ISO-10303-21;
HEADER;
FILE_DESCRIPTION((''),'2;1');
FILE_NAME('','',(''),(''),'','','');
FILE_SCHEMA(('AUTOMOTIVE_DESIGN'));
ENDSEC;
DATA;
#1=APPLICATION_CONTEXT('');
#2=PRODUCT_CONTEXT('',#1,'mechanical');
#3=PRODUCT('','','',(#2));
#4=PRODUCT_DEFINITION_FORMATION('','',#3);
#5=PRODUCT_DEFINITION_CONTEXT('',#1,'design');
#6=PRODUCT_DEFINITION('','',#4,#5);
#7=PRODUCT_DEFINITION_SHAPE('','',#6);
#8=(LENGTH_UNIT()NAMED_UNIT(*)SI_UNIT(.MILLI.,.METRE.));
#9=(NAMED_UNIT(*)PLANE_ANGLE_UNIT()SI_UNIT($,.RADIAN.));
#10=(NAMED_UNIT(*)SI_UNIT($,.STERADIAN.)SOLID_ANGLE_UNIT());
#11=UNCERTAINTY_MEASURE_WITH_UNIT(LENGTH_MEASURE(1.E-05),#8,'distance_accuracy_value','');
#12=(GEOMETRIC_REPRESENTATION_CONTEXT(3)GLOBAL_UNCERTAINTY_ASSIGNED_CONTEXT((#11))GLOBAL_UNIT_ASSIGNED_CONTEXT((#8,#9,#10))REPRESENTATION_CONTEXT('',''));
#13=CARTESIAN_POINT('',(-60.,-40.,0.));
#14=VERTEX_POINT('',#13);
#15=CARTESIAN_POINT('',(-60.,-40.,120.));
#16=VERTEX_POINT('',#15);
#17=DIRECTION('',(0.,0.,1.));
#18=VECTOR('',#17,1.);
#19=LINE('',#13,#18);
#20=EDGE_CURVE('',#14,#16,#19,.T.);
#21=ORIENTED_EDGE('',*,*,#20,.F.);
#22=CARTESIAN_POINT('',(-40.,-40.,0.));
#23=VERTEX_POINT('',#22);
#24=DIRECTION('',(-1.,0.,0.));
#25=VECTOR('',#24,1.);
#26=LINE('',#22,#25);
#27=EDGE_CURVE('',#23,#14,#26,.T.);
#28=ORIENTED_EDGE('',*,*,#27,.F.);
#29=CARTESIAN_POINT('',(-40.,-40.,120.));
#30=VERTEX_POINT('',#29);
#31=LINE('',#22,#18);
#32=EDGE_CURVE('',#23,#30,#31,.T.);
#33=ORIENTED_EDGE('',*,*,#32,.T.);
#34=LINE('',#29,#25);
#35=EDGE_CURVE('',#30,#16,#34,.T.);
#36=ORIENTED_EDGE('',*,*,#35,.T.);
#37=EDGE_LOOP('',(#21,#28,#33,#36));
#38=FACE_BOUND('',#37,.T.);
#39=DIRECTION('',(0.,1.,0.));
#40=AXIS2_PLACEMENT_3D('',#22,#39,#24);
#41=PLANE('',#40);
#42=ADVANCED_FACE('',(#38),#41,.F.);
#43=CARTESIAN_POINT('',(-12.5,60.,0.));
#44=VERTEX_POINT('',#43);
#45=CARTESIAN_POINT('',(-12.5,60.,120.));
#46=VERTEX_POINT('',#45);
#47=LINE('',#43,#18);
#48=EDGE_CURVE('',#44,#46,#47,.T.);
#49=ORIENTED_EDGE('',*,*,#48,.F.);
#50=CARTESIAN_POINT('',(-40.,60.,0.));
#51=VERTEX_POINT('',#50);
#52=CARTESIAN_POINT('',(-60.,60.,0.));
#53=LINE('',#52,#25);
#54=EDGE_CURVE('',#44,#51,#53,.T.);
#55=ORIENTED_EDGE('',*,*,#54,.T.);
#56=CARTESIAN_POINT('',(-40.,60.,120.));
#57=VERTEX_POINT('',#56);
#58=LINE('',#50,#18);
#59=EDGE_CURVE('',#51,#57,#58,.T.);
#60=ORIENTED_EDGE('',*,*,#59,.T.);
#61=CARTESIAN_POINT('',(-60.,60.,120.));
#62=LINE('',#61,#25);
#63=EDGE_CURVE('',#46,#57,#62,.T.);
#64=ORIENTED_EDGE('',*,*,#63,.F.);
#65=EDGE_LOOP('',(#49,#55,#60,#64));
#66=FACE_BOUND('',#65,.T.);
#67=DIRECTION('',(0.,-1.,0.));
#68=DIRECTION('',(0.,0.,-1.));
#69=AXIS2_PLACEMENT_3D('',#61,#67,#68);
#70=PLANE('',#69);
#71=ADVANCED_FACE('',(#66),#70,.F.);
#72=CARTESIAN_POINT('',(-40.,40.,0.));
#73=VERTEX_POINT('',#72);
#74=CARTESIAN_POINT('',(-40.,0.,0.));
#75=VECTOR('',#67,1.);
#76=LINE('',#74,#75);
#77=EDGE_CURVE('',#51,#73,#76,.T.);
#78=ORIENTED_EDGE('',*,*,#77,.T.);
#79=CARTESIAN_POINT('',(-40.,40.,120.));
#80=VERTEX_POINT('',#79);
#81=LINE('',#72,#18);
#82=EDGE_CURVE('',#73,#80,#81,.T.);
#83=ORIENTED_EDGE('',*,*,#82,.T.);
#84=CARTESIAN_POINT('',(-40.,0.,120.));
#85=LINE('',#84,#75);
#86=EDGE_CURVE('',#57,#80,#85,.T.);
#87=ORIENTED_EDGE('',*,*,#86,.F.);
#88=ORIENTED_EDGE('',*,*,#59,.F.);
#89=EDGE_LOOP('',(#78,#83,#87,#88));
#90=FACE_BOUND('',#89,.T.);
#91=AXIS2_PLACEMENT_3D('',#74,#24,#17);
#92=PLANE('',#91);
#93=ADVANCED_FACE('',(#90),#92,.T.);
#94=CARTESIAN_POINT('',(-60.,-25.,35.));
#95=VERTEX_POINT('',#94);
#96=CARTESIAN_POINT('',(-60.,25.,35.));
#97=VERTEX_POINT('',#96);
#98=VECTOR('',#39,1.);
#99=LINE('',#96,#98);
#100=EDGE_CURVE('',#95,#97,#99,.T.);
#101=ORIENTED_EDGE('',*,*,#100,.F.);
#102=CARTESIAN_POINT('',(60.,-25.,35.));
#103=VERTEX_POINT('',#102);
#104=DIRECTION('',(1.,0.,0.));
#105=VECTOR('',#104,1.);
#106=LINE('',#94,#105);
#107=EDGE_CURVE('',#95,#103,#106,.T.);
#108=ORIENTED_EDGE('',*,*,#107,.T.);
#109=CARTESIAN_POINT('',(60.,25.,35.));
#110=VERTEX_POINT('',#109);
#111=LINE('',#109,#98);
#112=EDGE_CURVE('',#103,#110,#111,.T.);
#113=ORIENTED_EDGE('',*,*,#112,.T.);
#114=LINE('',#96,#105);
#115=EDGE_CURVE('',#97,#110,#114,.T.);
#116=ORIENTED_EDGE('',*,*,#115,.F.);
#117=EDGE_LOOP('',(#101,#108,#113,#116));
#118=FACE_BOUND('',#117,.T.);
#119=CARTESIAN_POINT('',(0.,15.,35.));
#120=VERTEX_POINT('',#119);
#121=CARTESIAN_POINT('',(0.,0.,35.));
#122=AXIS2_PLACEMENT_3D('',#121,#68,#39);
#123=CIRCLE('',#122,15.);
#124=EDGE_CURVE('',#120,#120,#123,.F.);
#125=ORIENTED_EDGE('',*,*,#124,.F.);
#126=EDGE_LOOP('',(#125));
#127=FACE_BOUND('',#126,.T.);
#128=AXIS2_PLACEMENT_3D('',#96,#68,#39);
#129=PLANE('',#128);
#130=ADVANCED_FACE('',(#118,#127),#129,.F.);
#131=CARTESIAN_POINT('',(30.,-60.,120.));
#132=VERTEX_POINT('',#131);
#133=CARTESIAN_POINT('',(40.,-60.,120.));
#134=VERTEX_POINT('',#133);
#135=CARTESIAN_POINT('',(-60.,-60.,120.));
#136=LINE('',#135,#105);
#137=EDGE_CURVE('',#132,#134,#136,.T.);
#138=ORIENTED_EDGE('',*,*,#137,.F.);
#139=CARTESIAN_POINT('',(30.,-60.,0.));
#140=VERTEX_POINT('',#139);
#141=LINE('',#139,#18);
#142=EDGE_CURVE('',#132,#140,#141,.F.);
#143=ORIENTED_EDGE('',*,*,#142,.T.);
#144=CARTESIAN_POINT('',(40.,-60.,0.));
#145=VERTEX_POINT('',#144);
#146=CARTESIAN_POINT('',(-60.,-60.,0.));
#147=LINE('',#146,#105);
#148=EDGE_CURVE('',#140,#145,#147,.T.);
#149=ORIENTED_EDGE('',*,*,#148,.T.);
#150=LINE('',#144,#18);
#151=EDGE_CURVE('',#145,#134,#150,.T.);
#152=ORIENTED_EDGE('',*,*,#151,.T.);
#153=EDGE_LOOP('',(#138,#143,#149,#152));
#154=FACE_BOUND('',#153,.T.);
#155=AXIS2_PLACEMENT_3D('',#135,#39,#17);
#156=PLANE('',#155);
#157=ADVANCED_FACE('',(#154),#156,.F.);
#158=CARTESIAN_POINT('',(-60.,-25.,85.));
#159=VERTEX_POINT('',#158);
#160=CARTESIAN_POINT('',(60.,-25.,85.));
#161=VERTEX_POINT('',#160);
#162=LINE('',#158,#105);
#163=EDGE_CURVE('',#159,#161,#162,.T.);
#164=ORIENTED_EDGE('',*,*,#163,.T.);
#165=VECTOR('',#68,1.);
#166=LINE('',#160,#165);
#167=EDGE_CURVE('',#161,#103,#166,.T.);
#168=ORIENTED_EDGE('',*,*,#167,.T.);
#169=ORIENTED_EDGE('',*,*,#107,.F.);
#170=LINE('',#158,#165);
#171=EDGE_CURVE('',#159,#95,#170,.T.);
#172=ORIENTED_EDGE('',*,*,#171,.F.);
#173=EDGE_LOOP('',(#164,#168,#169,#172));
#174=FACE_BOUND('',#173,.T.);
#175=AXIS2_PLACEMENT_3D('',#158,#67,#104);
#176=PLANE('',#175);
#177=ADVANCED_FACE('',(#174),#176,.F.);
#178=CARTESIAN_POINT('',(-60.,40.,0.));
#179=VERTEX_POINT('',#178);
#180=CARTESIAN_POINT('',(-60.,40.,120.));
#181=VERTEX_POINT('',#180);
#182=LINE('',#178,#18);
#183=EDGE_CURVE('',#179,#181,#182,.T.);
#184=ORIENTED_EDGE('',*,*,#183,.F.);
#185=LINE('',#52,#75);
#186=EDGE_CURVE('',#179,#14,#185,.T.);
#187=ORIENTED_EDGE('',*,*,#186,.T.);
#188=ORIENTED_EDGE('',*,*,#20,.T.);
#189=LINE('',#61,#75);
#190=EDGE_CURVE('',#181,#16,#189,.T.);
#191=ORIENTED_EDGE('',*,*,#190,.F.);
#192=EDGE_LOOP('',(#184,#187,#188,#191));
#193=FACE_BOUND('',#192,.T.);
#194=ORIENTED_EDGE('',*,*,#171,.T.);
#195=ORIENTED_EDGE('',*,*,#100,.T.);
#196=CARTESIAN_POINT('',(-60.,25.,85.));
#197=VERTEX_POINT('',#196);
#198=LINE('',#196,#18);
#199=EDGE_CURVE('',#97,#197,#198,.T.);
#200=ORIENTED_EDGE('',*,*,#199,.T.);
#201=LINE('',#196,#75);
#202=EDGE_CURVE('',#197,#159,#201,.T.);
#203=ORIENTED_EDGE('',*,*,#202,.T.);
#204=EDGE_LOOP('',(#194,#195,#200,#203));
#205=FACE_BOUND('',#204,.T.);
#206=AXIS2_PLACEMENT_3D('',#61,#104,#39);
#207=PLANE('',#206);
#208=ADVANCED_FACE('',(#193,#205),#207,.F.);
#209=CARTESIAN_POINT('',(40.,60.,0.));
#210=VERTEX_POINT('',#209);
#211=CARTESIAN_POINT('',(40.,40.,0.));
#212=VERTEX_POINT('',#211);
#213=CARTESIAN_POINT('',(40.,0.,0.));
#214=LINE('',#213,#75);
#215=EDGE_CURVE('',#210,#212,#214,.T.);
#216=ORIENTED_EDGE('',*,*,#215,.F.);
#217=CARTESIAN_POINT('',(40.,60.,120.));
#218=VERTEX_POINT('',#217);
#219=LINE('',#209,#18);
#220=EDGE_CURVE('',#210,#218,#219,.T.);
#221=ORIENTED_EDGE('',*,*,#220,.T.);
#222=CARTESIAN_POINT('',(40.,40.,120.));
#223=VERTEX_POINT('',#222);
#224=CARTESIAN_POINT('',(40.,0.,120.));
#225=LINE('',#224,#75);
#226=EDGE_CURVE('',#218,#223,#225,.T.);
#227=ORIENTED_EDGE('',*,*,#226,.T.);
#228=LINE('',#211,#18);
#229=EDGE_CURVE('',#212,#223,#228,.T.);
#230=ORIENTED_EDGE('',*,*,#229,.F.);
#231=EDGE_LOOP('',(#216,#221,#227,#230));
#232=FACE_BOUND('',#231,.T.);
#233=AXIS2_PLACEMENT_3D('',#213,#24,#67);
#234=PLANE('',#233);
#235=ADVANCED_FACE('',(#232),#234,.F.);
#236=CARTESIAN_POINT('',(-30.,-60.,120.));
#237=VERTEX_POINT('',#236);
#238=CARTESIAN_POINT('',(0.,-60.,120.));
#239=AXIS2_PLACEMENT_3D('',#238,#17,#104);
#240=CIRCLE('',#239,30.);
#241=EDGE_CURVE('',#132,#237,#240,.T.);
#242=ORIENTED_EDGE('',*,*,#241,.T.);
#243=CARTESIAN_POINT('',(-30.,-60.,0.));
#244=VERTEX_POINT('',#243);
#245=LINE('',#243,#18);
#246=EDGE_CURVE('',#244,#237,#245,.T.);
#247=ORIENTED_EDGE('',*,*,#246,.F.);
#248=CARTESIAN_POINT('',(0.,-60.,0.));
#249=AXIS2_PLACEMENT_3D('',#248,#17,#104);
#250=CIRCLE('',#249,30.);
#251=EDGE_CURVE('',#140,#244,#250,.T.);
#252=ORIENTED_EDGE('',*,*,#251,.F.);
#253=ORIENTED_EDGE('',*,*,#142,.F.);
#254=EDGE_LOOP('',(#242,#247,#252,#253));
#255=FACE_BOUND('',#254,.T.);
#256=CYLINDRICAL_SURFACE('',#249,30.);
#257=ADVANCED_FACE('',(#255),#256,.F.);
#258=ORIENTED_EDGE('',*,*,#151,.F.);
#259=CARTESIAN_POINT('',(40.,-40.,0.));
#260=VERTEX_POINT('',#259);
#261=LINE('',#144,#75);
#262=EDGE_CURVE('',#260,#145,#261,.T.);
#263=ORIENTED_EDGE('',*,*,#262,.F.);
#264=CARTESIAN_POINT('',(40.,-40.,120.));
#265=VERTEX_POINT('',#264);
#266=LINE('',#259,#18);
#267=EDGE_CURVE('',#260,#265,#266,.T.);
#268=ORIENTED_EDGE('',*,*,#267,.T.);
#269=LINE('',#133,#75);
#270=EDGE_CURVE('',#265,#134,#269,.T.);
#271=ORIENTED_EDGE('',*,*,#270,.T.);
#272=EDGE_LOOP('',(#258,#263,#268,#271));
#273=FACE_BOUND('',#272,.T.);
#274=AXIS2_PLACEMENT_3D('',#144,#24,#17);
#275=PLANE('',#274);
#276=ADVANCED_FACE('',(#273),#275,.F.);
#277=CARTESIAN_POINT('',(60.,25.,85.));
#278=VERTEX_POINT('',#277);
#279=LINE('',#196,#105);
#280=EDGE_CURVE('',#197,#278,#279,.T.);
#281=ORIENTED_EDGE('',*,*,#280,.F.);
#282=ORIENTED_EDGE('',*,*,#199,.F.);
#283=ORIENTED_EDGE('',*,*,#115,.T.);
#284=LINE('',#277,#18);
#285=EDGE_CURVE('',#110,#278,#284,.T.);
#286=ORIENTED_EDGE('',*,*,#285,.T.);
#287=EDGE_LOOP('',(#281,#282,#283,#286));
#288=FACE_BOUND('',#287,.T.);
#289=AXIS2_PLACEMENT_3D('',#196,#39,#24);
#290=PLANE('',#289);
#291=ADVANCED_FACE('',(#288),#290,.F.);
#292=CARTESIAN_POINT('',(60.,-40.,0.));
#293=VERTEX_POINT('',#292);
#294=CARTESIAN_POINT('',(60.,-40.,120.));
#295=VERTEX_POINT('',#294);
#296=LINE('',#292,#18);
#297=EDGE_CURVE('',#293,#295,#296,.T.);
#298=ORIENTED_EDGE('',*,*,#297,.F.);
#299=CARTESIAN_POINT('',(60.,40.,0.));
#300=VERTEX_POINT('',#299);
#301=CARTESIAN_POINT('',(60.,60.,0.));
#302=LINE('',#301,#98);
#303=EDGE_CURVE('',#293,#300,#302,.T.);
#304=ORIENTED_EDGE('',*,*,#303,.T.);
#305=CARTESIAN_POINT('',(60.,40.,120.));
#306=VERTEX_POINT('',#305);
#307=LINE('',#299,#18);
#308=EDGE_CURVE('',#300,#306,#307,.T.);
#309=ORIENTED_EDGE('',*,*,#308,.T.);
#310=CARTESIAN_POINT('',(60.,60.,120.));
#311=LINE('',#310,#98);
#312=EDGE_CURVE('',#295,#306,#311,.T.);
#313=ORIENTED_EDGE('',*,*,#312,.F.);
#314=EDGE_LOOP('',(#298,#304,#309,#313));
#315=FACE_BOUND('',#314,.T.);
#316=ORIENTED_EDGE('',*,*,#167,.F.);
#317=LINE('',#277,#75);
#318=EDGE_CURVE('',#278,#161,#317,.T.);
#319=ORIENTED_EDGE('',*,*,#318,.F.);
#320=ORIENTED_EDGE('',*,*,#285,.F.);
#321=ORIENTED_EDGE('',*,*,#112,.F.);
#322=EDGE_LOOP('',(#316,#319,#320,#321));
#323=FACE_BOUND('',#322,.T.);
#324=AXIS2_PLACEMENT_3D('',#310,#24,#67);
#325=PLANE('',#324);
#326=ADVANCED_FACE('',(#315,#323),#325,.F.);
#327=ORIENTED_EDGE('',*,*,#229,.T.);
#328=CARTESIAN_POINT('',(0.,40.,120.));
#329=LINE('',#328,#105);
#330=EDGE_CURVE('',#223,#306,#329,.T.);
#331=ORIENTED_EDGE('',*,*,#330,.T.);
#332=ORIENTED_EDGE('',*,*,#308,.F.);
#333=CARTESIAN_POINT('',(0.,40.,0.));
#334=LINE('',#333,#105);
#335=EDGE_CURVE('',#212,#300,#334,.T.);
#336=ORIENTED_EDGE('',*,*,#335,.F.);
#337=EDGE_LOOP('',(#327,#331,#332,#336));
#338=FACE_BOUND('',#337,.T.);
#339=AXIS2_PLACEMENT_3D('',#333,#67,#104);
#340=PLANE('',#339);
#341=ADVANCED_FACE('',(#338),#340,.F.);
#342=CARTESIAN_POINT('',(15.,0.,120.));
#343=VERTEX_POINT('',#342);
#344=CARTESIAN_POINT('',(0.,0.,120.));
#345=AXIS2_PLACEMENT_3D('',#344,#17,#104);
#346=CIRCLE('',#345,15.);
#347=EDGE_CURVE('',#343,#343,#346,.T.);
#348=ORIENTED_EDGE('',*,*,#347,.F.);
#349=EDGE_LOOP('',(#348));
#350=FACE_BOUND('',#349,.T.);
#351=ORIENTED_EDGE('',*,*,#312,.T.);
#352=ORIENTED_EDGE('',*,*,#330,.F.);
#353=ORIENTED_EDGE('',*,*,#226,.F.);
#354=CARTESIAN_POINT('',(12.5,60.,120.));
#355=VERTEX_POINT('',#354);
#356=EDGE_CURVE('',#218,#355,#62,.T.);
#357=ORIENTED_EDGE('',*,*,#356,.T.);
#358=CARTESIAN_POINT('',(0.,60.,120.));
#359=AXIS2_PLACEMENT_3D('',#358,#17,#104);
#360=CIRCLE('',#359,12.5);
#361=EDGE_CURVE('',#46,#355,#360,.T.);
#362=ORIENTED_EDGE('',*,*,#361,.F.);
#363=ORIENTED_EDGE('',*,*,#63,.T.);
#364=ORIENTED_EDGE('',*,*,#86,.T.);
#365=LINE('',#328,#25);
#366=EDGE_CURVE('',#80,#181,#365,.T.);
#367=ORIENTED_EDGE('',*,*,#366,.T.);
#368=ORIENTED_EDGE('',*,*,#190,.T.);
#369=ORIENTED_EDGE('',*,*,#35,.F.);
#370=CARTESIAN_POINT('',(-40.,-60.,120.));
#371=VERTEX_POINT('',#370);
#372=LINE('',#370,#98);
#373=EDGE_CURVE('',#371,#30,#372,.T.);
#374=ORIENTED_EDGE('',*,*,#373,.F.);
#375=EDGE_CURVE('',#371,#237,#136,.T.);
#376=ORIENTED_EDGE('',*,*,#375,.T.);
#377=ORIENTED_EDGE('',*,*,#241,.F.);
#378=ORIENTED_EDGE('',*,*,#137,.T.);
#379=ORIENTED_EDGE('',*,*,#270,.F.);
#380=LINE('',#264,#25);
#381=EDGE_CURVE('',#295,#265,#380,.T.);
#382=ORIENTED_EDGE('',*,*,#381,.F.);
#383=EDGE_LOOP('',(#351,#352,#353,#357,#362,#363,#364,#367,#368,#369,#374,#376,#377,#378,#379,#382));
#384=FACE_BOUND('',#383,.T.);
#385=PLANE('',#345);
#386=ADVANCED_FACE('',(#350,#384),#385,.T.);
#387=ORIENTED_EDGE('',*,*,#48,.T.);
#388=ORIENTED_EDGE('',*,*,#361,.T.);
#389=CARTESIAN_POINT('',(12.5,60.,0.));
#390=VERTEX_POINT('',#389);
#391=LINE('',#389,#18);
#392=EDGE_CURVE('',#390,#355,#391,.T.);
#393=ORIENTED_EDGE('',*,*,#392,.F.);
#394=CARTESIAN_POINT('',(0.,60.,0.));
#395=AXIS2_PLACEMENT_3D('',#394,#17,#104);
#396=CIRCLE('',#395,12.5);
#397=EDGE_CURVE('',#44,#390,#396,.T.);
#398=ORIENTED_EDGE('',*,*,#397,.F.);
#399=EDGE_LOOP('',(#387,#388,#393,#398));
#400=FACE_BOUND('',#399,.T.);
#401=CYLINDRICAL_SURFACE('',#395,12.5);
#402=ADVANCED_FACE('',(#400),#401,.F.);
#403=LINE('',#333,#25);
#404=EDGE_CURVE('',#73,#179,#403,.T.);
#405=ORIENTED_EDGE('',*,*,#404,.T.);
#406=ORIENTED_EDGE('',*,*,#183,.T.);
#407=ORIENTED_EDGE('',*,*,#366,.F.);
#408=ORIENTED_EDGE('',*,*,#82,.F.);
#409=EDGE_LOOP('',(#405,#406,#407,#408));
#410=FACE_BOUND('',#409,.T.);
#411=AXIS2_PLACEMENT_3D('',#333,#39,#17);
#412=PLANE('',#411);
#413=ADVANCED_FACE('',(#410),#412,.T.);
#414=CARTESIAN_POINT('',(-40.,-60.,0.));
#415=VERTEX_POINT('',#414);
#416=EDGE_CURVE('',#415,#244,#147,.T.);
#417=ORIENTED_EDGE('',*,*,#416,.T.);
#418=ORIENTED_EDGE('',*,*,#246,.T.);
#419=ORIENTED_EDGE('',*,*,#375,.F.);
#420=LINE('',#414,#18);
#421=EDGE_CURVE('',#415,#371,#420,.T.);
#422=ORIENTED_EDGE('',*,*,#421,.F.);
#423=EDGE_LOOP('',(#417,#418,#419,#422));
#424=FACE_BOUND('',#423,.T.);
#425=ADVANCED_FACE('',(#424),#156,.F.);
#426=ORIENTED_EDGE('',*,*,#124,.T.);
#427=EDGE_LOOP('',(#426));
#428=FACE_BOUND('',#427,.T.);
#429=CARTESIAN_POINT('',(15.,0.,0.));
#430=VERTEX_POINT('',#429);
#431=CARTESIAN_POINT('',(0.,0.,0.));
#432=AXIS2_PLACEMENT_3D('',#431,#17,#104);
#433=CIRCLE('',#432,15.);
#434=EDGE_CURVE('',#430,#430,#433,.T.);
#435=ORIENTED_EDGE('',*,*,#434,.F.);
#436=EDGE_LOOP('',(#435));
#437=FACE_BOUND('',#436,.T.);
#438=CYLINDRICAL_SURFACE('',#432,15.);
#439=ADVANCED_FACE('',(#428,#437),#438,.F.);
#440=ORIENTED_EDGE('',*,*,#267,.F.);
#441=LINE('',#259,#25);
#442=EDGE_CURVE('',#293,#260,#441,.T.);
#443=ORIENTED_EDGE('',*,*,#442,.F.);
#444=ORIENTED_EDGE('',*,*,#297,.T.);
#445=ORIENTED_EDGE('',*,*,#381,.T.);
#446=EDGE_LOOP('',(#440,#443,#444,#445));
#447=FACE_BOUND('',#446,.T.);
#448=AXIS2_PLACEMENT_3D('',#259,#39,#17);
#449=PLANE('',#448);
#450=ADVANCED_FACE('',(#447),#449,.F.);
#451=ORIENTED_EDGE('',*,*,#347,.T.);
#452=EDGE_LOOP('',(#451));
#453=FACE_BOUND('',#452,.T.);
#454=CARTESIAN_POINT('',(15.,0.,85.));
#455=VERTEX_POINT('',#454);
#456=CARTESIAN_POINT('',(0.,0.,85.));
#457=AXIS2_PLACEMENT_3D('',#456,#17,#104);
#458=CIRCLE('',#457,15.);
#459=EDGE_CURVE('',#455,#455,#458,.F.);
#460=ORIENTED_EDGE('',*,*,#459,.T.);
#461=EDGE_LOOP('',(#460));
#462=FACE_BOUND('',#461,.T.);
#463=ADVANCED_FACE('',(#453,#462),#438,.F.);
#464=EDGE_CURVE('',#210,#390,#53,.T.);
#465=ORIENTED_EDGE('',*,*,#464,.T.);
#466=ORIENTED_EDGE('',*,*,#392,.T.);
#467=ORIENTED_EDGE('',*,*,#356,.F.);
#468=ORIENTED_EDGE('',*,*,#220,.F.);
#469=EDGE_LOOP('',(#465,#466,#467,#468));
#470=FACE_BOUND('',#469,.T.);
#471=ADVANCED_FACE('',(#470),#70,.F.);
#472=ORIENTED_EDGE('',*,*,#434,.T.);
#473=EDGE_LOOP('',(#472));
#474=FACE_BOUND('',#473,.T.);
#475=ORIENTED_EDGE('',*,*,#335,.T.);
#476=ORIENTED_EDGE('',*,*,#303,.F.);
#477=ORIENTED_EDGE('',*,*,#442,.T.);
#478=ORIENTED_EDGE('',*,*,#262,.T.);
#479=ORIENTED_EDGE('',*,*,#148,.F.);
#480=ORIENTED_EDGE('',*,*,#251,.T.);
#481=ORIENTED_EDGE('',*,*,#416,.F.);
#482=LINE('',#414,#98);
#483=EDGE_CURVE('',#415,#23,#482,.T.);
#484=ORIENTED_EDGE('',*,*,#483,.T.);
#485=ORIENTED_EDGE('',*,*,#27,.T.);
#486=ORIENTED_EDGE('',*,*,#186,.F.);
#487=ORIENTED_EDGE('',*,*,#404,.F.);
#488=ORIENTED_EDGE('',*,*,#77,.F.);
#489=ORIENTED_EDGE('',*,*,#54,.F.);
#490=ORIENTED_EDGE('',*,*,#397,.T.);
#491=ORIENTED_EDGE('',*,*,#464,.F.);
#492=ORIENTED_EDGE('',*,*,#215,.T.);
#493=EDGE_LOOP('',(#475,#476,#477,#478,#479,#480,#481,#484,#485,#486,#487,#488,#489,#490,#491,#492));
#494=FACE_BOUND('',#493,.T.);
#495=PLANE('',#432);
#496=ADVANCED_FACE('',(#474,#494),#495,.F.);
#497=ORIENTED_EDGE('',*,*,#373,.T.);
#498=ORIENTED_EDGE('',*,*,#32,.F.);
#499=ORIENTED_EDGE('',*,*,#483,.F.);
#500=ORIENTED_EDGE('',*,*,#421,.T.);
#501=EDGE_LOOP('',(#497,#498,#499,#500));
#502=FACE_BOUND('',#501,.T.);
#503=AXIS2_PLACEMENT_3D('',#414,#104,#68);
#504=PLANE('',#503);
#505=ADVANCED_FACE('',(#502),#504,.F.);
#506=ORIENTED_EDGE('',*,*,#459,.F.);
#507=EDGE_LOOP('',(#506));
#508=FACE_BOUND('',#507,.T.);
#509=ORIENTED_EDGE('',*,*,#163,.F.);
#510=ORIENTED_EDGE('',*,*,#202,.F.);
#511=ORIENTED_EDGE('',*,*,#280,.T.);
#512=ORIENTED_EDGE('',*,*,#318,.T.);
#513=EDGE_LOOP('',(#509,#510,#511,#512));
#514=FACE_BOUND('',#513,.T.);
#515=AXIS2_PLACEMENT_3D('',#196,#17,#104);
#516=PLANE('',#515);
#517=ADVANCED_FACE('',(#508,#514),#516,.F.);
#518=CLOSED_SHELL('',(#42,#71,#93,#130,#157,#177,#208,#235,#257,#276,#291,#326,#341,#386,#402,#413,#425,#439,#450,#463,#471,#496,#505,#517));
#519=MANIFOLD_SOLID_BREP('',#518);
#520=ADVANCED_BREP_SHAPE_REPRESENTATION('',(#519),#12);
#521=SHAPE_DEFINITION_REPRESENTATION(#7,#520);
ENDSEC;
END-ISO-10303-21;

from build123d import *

# Parameters (mm, degrees)
SKETCH1_W           = 120
SKETCH1_H           = 120
BOSS_EXTRUDE1_DEPTH = 120
SKETCH2_R           = 30
SKETCH2_W           = 20
SKETCH2_H           = 20
CUT_EXTRUDE1_DEPTH  = 120
SKETCH4_R           = 15
CUT_EXTRUDE2_DEPTH  = 120
SKETCH5_W           = 20
SKETCH5_H           = 20
CUT_EXTRUDE3_DEPTH  = 120
SKETCH6_W           = 50
SKETCH6_H           = 50
CUT_EXTRUDE4_DEPTH  = 120


with BuildPart() as part:
    # Sketch1 → Boss-Extrude1 (new body)
    with BuildSketch(Plane.XY):
        Rectangle(SKETCH1_W, SKETCH1_H)
    extrude(amount=BOSS_EXTRUDE1_DEPTH)

    # Sketch2 → Cut-Extrude1 (cut)
    with BuildSketch(Plane.XY.offset(120)):
        with Locations((0, -60)):
            Circle(SKETCH2_R)
        with Locations((50, -50)):
            Rectangle(SKETCH2_W, SKETCH2_H)
        with Locations((-50, -50)):
            Rectangle(SKETCH2_W, SKETCH2_H)
    extrude(amount=-CUT_EXTRUDE1_DEPTH, mode=Mode.SUBTRACT)

    # Sketch4 → Cut-Extrude2 (cut)
    with BuildSketch(Plane.XY.offset(120)):
        Circle(SKETCH4_R)
    extrude(amount=-CUT_EXTRUDE2_DEPTH, mode=Mode.SUBTRACT)

    # Sketch5 → Cut-Extrude3 (cut)
    with BuildSketch(Plane.XY.offset(120)):
        with Locations((-50, 50)):
            Rectangle(SKETCH5_W, SKETCH5_H)
        with BuildLine():
            Line((0, 60), (-12.5, 60))
            ThreePointArc((-12.5, 60), (-8.838834765, 51.161165235), (0, 47.5))
            Line((0, 47.5), (0, 60))
        make_face()
        with BuildLine():
            Line((0, 60), (0, 47.5))
            ThreePointArc((0, 47.5), (8.838834765, 51.161165235), (12.5, 60))
            Line((12.5, 60), (0, 60))
        make_face()
        with Locations((50, 50)):
            Rectangle(SKETCH5_W, SKETCH5_H)
    extrude(amount=-CUT_EXTRUDE3_DEPTH, mode=Mode.SUBTRACT)

    # Sketch6 → Cut-Extrude4 (cut)
    with BuildSketch(Plane(origin=(60, 0, 0), x_dir=(0, 0, -1), z_dir=(1, 0, 0))):
        with Locations((-60, 0)):
            Rectangle(SKETCH6_W, SKETCH6_H)
    extrude(amount=-CUT_EXTRUDE4_DEPTH, mode=Mode.SUBTRACT)


solid = part.part
